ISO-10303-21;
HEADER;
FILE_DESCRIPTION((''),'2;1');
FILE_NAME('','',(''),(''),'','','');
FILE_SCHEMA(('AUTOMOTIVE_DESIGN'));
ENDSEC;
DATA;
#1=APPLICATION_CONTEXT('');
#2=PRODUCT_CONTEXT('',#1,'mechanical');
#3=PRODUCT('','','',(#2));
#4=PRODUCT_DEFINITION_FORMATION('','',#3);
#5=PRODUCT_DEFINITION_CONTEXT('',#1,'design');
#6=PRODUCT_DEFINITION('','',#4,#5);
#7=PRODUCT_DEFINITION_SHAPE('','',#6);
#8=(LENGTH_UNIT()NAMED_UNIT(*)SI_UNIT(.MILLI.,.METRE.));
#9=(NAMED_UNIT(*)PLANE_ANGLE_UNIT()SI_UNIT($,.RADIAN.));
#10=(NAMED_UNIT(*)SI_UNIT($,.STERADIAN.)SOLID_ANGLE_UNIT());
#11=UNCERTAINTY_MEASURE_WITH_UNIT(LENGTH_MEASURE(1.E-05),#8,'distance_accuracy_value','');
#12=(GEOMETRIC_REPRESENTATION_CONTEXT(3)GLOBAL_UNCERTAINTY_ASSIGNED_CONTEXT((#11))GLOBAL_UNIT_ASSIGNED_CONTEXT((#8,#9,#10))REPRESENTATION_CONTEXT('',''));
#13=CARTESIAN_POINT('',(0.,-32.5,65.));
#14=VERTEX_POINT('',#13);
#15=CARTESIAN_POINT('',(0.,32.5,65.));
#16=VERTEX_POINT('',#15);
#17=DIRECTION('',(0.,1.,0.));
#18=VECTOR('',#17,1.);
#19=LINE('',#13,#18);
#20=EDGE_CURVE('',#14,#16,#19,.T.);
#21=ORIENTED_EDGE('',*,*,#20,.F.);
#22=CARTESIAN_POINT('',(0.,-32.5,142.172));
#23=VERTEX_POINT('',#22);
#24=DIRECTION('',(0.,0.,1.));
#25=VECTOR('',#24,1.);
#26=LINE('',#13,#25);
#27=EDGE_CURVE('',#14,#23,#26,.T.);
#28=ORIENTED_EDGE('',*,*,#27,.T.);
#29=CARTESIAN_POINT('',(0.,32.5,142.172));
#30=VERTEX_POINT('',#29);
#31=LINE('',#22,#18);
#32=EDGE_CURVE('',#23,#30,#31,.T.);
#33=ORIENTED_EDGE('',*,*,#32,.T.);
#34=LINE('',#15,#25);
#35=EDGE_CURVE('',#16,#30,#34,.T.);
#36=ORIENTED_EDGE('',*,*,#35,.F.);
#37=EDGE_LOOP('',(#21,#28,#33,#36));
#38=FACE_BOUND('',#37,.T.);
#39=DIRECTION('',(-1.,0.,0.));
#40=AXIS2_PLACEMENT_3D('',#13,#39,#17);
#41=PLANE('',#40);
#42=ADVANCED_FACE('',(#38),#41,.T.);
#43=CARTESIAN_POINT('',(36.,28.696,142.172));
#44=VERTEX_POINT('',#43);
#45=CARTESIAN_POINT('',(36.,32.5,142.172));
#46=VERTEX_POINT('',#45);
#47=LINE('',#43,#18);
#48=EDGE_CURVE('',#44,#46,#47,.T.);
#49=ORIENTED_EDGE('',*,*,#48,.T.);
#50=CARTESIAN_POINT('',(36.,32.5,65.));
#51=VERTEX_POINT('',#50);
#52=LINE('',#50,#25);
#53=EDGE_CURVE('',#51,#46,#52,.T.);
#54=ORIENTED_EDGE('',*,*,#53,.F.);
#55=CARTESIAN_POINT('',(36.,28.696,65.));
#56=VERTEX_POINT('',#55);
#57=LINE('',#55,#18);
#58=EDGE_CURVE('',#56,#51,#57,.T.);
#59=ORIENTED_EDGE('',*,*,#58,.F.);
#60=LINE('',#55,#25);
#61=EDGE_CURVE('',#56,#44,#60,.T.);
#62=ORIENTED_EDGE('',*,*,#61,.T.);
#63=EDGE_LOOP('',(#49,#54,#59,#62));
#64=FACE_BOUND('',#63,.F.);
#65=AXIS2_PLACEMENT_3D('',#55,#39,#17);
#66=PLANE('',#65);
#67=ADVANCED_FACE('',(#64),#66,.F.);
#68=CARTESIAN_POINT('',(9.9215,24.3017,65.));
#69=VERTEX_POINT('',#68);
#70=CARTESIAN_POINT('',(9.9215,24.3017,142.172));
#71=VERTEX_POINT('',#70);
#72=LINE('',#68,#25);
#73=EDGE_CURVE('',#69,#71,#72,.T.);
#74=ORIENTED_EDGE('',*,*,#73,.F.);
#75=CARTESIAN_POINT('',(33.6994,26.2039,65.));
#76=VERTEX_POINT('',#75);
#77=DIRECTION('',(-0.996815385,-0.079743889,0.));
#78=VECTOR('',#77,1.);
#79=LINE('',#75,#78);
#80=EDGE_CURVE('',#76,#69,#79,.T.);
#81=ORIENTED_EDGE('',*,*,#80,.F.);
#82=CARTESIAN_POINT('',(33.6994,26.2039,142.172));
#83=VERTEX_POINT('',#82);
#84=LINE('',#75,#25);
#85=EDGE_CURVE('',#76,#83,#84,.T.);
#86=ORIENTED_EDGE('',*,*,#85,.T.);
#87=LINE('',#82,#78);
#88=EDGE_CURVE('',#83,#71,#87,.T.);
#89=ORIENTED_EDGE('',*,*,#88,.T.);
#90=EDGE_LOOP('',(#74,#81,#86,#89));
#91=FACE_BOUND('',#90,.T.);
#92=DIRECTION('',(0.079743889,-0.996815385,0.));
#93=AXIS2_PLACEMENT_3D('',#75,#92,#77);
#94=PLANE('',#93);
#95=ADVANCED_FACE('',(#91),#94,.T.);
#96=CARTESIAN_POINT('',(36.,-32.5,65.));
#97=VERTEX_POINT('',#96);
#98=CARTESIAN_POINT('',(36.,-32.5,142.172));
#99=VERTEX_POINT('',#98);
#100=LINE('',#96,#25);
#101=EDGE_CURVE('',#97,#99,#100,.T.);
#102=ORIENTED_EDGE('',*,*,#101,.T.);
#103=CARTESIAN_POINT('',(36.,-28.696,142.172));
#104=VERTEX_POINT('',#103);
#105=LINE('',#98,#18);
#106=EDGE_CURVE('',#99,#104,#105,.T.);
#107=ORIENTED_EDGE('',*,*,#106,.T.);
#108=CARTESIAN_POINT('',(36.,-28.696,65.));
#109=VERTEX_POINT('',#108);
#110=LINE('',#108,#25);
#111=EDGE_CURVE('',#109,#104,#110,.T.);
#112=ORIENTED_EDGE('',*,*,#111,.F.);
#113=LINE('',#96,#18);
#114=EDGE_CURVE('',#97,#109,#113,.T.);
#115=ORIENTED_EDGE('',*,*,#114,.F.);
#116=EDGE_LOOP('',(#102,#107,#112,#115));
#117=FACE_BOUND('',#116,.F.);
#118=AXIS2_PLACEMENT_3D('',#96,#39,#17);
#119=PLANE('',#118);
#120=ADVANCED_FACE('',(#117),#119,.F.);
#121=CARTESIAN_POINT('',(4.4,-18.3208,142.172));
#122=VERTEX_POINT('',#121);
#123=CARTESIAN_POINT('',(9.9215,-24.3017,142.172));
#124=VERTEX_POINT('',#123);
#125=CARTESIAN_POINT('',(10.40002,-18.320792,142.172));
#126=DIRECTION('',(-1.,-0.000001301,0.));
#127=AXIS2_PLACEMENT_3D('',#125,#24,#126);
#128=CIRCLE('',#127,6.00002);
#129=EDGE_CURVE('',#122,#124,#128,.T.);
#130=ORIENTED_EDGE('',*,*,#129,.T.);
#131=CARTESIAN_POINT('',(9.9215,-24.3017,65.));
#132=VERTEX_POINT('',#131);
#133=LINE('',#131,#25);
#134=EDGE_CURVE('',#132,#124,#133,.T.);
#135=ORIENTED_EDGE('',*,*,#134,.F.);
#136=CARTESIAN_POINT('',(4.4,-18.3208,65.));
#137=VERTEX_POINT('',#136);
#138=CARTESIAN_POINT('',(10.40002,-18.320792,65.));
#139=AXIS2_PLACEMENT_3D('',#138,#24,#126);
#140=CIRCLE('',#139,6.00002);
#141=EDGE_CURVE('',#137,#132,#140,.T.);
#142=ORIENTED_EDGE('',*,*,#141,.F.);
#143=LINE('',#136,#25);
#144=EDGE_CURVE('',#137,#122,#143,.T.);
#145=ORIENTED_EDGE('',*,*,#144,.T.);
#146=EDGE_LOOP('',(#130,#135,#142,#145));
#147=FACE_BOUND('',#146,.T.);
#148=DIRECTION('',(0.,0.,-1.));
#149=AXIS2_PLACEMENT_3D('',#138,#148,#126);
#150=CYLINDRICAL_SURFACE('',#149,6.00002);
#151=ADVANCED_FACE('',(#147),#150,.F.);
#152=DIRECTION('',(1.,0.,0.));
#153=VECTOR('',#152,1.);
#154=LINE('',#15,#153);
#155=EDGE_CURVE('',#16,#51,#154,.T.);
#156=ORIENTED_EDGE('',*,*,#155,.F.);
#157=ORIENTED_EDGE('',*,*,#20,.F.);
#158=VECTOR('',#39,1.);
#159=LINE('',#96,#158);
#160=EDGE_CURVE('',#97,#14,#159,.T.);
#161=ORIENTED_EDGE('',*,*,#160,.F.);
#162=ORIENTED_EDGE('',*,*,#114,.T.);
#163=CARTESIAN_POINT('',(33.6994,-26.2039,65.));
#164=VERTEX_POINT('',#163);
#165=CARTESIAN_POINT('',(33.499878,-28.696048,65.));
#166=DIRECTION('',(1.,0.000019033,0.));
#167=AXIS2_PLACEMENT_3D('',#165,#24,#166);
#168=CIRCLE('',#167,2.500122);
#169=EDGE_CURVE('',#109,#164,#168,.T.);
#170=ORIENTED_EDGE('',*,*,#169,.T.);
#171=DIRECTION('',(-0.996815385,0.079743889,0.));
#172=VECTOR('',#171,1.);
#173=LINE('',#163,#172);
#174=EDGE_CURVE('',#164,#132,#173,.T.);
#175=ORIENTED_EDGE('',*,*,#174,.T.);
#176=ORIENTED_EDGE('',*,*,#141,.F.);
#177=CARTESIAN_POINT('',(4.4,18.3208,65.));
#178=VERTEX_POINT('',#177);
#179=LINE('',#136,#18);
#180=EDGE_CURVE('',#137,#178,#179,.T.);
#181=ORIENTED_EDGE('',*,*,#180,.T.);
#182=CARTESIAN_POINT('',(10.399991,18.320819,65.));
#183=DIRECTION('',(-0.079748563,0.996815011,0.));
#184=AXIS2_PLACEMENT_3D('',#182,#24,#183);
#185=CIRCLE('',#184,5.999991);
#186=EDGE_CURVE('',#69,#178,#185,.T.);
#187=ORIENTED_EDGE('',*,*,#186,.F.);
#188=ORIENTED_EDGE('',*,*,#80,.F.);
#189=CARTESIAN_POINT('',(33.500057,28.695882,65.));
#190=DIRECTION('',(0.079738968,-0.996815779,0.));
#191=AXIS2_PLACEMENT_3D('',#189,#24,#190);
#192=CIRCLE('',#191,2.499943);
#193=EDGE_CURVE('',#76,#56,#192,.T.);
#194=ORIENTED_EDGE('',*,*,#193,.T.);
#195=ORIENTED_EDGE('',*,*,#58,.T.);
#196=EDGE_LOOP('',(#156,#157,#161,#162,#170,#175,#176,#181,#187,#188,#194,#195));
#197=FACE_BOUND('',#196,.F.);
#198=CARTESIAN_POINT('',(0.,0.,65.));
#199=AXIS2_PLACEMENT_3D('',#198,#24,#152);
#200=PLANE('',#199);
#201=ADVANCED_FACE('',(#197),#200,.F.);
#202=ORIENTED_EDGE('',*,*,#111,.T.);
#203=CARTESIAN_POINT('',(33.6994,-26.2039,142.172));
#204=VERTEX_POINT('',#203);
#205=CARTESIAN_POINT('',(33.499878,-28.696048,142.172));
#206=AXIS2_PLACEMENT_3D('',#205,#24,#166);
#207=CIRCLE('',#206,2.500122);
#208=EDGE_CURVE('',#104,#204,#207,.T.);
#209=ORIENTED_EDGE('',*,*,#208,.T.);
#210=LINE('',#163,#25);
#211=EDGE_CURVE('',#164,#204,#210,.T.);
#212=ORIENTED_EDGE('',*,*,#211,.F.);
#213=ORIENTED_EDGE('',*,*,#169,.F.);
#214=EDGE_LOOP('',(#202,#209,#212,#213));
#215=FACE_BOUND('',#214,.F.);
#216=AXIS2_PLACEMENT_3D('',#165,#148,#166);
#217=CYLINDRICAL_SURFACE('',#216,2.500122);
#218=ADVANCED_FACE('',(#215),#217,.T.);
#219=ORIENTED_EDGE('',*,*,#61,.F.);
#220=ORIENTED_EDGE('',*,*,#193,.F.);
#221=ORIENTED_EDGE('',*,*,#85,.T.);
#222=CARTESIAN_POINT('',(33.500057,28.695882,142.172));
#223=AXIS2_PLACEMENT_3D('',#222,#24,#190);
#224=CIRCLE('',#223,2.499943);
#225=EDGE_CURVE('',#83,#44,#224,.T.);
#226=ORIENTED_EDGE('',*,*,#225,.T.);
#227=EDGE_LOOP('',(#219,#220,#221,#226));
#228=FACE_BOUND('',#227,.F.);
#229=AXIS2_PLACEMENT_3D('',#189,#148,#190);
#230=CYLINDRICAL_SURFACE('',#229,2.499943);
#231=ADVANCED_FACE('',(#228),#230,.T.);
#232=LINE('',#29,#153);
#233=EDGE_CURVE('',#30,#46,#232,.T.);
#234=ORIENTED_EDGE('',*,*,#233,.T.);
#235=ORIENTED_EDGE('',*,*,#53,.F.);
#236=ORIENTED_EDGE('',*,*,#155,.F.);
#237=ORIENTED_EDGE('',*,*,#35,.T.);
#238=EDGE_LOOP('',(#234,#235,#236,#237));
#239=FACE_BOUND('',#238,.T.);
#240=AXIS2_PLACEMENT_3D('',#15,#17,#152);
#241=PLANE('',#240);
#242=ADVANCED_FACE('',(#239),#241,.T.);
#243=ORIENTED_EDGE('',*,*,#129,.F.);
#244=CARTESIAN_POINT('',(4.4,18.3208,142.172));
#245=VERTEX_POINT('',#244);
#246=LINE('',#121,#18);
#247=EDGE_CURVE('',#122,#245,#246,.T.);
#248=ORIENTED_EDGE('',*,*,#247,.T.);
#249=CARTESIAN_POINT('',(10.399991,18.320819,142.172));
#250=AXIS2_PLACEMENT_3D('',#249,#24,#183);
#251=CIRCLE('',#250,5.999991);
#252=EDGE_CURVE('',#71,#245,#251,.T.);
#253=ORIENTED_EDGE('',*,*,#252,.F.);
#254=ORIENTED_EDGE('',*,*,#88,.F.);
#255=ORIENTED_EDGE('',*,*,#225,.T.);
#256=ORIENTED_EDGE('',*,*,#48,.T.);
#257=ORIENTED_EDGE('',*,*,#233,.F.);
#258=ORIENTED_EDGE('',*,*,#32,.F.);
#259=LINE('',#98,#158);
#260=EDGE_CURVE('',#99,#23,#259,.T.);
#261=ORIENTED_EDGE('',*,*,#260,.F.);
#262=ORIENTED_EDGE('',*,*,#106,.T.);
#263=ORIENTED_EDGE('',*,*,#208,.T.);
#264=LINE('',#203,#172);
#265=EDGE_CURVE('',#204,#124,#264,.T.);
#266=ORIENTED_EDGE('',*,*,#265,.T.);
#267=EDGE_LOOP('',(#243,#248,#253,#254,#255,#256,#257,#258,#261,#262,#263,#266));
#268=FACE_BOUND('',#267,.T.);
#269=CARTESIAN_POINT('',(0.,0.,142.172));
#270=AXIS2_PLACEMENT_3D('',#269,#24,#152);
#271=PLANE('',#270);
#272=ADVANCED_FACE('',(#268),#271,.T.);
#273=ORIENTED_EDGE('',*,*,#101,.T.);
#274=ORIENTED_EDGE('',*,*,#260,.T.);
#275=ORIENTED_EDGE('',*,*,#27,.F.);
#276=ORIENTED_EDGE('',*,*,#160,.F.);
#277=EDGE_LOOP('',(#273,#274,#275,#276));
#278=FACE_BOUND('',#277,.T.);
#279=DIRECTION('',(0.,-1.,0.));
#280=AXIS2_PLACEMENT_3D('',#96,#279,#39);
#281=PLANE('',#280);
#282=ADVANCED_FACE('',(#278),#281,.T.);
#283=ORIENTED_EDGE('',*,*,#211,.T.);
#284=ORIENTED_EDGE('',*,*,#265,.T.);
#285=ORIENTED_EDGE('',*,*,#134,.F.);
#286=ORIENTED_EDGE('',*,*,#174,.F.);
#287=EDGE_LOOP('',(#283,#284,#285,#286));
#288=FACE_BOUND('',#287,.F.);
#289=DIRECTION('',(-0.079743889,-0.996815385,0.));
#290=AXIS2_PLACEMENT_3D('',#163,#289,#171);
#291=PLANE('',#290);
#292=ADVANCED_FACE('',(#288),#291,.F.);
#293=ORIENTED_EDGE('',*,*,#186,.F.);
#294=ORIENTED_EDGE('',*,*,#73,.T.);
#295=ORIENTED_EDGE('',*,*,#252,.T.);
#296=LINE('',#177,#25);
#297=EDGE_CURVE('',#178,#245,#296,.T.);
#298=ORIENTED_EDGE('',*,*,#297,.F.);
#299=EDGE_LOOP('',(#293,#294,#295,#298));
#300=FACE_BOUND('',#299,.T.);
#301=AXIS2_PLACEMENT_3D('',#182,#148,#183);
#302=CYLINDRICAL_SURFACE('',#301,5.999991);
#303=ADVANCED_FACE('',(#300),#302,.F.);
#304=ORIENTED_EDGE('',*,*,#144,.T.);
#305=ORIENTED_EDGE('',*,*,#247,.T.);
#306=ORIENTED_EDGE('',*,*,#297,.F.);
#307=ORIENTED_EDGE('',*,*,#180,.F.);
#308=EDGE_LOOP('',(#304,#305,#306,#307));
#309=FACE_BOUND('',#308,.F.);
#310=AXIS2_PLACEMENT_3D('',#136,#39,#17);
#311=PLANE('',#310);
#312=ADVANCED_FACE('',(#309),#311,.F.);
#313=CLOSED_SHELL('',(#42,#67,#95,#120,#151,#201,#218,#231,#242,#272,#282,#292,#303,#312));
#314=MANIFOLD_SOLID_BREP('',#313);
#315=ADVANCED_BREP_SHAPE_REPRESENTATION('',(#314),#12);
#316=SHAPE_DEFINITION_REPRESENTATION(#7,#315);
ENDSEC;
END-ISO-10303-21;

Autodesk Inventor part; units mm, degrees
ref_plane "Начальная плоскость" through (0, 0, 65) normal (0, 0, 1) x (1, 0, 0)
ref_plane "Конечная плоскость" through (0, 0, 142.172) normal (0, 0, 1) x (1, 0, 0)
sketch "Эскиз" plane through (0, 0, 0) normal (0, 0, 1) x (1, 0, 0)
  line L0 (36, -32.5) -> (0, -32.5)
  line L1 (36, -32.5) -> (36, -28.696)
  line L2 (33.6994, -26.2039) -> (9.9215, -24.3017)
  line L3 (4.4, -18.3208) -> (4.4, 18.3208)
  line L4 (33.6994, 26.2039) -> (9.9215, 24.3017)
  line L5 (36, 28.696) -> (36, 32.5)
  line L6 (0, 32.5) -> (36, 32.5)
  line L7 (0, -32.5) -> (0, 32.5)
  arc A0 (4.4, -18.3208) -> (9.9215, -24.3017) centre (10.4, -18.3208) ccw
  arc A1 (9.9215, 24.3017) -> (4.4, 18.3208) centre (10.4, 18.3208) ccw
  arc A2 (36, -28.696) -> (33.6994, -26.2039) centre (33.5, -28.696) ccw
  arc A3 (33.6994, 26.2039) -> (36, 28.696) centre (33.5, 28.696) ccw
  line L8 (0, 45.5) -> (0, -45.5) construction
  line L9 (-7.2974, 0) -> (43.7847, 0) construction
  point P0 (36, -26.388)
  point P1 (4.4, -23.86)
  point P2 (4.4, 23.86)
  point P3 (36, 26.388)
  dimension "d3" = 36
  dimension "d5" = 4.4
  dimension "d7" = 65
  dimension "d9" = 8.64
  dimension "d11" = 8.64
  dimension "d13" = 6.112
  dimension "d15" = 6.112
  dimension "d22" = 6
  dimension "d23" = 2.5
  dimension "d24" = 32.5
  dimension "d25" = 0
extrude "Тело" add sketch "Эскиз" along normal up to surface (77.172 mm away) from surface at 65
sketch "Sketch3" plane through (0, 0, 0) normal (0, 0, 1) x (1, 0, 0)
  line L0 (0, 0) -> (10, 0)
ref_plane "Work Plane7" through (0, 0, 0) normal (0, -1, 0) x (1, 0, 0)
sketch "Sketch4" plane through (0, 0, 0) normal (0, -1, 0) x (1, 0, 0)
  line L0 (-2, 65) -> (12, 65)
  line L1 (-2, 142.172) -> (12, 142.172)
  dimension "d29" = 77.172
ref_plane "РабПлоскость8" through (36, -135.5, 65) normal (0, 0, -1) x (-1, 0, 0)
split "Разделение1" plane through (36, -135.5, 65) removes the side toward (0, 0, -1)
ref_plane "РабПлоскость10" through (0, -135.5, 142.172) normal (0, 0, 1) x (1, 0, 0)
split "Разделение3" plane through (0, -135.5, 142.172) removes the side toward (0, 0, 1)
equation "\"d3\" = b"
equation "\"d5\" = t1"
equation "\"d7\" = ParH"
equation "\"d9\" = msp_x1 + t2"
equation "\"d11\" = msp_x1 + t2"
equation "\"d13\" = -msp_x2 + t2"
equation "\"d15\" = -msp_x2 + t2"
equation "\"d22\" = R"
equation "\"d23\" = R1"
equation "\"d24\" = 0.5 * d7"
equation "\"d16\" = G_L"
equation "\"R1\" = 2.5"
equation "\"R\" = 6"
equation "\"t1\" = 4.4"
equation "\"t2\" = 7.2"
equation "\"ParH\" = 65"
equation "\"b\" = 36"
equation "\"msp_x1\" = 0.04 * b"
equation "\"msp_x2\" = -0.08 * t1 + 0.04 * b"
equation "\"G_L\" = d29"
equation "\"ex\" = 0"
equation "\"G_OFFSET_START\" = -65"
equation "\"G_OFFSET_END\" = -65"
equation "\"d26\" = -G_OFFSET_START"
equation "\"d27\" = G_OFFSET_END + B_L"
equation "\"B_L\" = 207.172"
properties part number "Швеллер 6.5U-77,17 ГОСТ 8240-97" material "Сталь, мягкая"
